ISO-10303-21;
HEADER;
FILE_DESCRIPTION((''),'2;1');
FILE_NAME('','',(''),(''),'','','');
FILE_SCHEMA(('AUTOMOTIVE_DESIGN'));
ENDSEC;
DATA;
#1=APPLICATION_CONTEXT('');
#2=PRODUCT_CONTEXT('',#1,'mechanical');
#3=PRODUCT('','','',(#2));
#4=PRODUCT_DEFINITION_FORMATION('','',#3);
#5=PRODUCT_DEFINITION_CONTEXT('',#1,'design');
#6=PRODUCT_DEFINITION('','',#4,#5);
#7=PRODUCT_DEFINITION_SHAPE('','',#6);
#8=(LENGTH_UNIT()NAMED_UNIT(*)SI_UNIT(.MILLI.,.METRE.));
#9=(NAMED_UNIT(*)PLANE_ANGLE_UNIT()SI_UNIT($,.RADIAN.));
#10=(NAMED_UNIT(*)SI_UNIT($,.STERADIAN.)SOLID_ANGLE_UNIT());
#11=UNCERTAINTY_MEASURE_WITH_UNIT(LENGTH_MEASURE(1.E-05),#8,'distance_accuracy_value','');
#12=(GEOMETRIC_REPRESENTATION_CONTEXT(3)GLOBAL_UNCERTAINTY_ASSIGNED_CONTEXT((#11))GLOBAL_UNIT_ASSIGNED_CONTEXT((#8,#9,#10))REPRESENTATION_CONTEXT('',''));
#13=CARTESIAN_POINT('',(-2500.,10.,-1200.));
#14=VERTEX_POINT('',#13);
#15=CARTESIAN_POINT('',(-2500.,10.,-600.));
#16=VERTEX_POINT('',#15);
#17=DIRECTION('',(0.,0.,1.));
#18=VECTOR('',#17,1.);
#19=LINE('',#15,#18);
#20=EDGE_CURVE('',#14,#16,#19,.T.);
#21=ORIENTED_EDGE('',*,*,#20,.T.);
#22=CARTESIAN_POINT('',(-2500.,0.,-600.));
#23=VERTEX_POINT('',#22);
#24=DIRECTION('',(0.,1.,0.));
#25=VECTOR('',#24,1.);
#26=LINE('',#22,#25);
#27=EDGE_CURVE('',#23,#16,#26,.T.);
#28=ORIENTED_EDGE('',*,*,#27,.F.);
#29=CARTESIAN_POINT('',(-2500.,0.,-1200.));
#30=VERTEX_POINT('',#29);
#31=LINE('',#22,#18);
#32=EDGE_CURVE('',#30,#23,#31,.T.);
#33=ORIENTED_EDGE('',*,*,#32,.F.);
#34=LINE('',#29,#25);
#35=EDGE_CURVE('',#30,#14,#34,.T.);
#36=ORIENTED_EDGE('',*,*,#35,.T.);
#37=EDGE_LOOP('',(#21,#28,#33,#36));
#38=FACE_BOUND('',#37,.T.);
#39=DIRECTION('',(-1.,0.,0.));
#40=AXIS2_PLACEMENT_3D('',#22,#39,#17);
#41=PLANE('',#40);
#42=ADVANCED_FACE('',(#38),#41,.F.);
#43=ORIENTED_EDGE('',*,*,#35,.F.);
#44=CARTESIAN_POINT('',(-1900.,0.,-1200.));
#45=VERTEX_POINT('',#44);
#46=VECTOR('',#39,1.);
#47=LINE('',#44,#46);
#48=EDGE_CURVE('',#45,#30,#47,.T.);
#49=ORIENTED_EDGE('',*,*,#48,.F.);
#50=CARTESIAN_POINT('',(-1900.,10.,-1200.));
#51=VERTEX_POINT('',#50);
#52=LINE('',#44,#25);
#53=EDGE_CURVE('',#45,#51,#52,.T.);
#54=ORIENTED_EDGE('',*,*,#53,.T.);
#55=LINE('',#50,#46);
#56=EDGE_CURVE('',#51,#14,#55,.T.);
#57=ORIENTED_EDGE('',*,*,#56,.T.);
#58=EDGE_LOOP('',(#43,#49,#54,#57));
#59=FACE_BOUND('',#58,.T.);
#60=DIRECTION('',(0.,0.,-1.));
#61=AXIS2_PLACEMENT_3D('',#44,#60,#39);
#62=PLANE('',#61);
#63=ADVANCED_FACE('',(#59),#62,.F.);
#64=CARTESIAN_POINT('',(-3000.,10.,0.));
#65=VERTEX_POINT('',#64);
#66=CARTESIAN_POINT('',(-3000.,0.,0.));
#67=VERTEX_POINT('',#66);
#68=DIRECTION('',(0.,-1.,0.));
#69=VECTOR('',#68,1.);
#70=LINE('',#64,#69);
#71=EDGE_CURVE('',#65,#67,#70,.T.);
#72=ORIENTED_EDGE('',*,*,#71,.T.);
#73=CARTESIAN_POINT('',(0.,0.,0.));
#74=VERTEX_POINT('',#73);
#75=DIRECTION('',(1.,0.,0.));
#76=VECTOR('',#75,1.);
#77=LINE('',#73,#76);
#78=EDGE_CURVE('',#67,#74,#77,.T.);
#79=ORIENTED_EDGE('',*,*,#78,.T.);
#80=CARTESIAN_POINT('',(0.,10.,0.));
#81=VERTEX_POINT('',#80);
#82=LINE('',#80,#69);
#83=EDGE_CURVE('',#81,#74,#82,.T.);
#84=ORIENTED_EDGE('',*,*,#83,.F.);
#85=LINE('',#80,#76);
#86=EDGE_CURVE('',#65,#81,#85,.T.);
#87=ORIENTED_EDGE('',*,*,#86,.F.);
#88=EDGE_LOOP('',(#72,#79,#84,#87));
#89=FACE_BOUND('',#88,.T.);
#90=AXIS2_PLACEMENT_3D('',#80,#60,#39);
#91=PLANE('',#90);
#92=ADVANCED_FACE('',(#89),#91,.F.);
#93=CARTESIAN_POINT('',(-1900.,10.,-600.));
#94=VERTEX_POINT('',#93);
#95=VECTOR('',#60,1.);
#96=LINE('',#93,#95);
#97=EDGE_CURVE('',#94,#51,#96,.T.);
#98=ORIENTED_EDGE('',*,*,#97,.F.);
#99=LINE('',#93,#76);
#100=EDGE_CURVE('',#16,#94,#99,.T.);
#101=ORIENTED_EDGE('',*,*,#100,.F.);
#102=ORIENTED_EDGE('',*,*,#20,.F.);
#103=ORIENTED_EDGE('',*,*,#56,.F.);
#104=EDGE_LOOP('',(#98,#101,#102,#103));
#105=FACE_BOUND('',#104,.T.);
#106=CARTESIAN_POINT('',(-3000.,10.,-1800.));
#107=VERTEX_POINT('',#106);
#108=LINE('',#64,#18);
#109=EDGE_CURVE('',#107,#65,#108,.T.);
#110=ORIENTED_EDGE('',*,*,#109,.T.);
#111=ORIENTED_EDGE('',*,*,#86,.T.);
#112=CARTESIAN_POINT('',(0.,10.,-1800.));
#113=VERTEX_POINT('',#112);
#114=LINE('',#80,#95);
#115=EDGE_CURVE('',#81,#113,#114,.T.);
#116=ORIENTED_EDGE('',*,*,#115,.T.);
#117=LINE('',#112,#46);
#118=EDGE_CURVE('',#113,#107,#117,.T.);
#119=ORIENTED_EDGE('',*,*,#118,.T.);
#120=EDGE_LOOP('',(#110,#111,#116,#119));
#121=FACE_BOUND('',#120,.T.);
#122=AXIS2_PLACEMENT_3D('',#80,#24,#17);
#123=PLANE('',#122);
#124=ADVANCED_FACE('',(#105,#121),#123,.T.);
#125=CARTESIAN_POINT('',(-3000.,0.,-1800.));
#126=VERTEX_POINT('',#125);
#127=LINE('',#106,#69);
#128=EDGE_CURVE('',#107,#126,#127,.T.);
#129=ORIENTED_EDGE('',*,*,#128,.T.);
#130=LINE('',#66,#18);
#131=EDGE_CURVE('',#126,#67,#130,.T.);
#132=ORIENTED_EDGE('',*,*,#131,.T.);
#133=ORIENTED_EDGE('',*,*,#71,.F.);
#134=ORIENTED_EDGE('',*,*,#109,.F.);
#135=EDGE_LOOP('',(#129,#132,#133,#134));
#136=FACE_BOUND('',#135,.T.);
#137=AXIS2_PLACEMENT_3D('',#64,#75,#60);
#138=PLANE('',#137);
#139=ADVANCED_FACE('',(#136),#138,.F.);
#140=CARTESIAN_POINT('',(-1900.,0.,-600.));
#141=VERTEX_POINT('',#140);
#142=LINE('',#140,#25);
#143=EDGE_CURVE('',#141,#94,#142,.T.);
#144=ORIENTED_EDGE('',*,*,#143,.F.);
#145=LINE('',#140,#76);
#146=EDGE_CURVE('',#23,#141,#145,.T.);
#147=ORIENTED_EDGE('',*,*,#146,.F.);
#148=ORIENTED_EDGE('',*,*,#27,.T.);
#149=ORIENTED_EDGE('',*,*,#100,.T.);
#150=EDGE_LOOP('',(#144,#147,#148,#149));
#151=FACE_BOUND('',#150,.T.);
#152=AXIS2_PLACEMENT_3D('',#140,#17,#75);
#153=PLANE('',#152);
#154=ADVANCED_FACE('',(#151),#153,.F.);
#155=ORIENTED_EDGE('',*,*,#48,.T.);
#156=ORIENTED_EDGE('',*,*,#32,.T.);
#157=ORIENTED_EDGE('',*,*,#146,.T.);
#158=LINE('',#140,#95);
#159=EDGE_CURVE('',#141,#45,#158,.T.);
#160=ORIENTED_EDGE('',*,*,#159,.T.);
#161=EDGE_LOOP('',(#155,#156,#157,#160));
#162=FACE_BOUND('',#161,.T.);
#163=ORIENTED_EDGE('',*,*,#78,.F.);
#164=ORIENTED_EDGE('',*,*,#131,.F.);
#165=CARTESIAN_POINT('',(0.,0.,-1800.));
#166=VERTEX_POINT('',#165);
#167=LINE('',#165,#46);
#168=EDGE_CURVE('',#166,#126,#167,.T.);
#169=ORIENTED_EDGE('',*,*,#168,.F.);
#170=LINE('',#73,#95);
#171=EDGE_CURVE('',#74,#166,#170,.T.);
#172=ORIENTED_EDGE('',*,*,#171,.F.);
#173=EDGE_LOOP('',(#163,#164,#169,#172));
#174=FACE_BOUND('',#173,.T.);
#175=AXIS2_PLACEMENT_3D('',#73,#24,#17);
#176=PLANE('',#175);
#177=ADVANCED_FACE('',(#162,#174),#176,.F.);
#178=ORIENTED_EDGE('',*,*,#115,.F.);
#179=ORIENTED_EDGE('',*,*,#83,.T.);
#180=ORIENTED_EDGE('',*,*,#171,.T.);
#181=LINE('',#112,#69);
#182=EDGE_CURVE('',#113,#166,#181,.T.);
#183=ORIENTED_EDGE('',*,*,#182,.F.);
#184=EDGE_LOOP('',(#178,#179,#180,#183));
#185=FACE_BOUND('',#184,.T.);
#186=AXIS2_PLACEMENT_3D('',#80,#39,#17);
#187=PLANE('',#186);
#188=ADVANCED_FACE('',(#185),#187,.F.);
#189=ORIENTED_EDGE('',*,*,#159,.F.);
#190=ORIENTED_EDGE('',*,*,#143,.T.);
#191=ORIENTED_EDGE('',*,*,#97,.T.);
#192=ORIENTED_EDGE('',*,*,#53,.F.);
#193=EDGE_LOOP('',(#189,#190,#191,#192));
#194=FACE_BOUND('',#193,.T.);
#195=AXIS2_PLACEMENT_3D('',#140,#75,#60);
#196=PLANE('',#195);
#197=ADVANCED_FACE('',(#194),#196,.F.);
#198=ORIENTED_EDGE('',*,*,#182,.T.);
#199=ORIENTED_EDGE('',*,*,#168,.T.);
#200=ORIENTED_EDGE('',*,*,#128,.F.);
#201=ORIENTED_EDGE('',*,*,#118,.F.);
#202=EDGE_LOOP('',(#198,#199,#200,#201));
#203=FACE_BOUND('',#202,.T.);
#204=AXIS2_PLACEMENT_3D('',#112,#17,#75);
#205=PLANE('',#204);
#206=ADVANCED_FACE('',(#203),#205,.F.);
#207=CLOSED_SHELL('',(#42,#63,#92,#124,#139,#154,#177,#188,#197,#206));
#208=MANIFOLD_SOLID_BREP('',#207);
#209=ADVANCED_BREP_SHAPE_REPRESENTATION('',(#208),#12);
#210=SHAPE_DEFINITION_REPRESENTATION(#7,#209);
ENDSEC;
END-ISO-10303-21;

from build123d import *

# Parameters (mm, degrees)
SKETCH1_W          = 3000
SKETCH1_H          = 1800
EXTRUDE2_DEPTH     = 10
SKETCH2_W          = 600
SKETCH2_H          = 600
CUT_EXTRUDE1_DEPTH = 10


with BuildPart() as part:
    # Sketch1 → Extrude2 (new body)
    with BuildSketch(Plane(origin=(0, 0, 0), x_dir=(1, 0, 0), z_dir=(0, 1, 0))):
        with Locations((-1500, 900)):
            Rectangle(SKETCH1_W, SKETCH1_H)
    extrude(amount=EXTRUDE2_DEPTH)

    # Sketch2 → Cut-Extrude1 (cut)
    with BuildSketch(Plane(origin=(0, 10, 0), x_dir=(-1, 0, 0), z_dir=(0, 1, 0))):
        with Locations((2200, -900)):
            Rectangle(SKETCH2_W, SKETCH2_H)
    extrude(amount=-CUT_EXTRUDE1_DEPTH, mode=Mode.SUBTRACT)


solid = part.part
